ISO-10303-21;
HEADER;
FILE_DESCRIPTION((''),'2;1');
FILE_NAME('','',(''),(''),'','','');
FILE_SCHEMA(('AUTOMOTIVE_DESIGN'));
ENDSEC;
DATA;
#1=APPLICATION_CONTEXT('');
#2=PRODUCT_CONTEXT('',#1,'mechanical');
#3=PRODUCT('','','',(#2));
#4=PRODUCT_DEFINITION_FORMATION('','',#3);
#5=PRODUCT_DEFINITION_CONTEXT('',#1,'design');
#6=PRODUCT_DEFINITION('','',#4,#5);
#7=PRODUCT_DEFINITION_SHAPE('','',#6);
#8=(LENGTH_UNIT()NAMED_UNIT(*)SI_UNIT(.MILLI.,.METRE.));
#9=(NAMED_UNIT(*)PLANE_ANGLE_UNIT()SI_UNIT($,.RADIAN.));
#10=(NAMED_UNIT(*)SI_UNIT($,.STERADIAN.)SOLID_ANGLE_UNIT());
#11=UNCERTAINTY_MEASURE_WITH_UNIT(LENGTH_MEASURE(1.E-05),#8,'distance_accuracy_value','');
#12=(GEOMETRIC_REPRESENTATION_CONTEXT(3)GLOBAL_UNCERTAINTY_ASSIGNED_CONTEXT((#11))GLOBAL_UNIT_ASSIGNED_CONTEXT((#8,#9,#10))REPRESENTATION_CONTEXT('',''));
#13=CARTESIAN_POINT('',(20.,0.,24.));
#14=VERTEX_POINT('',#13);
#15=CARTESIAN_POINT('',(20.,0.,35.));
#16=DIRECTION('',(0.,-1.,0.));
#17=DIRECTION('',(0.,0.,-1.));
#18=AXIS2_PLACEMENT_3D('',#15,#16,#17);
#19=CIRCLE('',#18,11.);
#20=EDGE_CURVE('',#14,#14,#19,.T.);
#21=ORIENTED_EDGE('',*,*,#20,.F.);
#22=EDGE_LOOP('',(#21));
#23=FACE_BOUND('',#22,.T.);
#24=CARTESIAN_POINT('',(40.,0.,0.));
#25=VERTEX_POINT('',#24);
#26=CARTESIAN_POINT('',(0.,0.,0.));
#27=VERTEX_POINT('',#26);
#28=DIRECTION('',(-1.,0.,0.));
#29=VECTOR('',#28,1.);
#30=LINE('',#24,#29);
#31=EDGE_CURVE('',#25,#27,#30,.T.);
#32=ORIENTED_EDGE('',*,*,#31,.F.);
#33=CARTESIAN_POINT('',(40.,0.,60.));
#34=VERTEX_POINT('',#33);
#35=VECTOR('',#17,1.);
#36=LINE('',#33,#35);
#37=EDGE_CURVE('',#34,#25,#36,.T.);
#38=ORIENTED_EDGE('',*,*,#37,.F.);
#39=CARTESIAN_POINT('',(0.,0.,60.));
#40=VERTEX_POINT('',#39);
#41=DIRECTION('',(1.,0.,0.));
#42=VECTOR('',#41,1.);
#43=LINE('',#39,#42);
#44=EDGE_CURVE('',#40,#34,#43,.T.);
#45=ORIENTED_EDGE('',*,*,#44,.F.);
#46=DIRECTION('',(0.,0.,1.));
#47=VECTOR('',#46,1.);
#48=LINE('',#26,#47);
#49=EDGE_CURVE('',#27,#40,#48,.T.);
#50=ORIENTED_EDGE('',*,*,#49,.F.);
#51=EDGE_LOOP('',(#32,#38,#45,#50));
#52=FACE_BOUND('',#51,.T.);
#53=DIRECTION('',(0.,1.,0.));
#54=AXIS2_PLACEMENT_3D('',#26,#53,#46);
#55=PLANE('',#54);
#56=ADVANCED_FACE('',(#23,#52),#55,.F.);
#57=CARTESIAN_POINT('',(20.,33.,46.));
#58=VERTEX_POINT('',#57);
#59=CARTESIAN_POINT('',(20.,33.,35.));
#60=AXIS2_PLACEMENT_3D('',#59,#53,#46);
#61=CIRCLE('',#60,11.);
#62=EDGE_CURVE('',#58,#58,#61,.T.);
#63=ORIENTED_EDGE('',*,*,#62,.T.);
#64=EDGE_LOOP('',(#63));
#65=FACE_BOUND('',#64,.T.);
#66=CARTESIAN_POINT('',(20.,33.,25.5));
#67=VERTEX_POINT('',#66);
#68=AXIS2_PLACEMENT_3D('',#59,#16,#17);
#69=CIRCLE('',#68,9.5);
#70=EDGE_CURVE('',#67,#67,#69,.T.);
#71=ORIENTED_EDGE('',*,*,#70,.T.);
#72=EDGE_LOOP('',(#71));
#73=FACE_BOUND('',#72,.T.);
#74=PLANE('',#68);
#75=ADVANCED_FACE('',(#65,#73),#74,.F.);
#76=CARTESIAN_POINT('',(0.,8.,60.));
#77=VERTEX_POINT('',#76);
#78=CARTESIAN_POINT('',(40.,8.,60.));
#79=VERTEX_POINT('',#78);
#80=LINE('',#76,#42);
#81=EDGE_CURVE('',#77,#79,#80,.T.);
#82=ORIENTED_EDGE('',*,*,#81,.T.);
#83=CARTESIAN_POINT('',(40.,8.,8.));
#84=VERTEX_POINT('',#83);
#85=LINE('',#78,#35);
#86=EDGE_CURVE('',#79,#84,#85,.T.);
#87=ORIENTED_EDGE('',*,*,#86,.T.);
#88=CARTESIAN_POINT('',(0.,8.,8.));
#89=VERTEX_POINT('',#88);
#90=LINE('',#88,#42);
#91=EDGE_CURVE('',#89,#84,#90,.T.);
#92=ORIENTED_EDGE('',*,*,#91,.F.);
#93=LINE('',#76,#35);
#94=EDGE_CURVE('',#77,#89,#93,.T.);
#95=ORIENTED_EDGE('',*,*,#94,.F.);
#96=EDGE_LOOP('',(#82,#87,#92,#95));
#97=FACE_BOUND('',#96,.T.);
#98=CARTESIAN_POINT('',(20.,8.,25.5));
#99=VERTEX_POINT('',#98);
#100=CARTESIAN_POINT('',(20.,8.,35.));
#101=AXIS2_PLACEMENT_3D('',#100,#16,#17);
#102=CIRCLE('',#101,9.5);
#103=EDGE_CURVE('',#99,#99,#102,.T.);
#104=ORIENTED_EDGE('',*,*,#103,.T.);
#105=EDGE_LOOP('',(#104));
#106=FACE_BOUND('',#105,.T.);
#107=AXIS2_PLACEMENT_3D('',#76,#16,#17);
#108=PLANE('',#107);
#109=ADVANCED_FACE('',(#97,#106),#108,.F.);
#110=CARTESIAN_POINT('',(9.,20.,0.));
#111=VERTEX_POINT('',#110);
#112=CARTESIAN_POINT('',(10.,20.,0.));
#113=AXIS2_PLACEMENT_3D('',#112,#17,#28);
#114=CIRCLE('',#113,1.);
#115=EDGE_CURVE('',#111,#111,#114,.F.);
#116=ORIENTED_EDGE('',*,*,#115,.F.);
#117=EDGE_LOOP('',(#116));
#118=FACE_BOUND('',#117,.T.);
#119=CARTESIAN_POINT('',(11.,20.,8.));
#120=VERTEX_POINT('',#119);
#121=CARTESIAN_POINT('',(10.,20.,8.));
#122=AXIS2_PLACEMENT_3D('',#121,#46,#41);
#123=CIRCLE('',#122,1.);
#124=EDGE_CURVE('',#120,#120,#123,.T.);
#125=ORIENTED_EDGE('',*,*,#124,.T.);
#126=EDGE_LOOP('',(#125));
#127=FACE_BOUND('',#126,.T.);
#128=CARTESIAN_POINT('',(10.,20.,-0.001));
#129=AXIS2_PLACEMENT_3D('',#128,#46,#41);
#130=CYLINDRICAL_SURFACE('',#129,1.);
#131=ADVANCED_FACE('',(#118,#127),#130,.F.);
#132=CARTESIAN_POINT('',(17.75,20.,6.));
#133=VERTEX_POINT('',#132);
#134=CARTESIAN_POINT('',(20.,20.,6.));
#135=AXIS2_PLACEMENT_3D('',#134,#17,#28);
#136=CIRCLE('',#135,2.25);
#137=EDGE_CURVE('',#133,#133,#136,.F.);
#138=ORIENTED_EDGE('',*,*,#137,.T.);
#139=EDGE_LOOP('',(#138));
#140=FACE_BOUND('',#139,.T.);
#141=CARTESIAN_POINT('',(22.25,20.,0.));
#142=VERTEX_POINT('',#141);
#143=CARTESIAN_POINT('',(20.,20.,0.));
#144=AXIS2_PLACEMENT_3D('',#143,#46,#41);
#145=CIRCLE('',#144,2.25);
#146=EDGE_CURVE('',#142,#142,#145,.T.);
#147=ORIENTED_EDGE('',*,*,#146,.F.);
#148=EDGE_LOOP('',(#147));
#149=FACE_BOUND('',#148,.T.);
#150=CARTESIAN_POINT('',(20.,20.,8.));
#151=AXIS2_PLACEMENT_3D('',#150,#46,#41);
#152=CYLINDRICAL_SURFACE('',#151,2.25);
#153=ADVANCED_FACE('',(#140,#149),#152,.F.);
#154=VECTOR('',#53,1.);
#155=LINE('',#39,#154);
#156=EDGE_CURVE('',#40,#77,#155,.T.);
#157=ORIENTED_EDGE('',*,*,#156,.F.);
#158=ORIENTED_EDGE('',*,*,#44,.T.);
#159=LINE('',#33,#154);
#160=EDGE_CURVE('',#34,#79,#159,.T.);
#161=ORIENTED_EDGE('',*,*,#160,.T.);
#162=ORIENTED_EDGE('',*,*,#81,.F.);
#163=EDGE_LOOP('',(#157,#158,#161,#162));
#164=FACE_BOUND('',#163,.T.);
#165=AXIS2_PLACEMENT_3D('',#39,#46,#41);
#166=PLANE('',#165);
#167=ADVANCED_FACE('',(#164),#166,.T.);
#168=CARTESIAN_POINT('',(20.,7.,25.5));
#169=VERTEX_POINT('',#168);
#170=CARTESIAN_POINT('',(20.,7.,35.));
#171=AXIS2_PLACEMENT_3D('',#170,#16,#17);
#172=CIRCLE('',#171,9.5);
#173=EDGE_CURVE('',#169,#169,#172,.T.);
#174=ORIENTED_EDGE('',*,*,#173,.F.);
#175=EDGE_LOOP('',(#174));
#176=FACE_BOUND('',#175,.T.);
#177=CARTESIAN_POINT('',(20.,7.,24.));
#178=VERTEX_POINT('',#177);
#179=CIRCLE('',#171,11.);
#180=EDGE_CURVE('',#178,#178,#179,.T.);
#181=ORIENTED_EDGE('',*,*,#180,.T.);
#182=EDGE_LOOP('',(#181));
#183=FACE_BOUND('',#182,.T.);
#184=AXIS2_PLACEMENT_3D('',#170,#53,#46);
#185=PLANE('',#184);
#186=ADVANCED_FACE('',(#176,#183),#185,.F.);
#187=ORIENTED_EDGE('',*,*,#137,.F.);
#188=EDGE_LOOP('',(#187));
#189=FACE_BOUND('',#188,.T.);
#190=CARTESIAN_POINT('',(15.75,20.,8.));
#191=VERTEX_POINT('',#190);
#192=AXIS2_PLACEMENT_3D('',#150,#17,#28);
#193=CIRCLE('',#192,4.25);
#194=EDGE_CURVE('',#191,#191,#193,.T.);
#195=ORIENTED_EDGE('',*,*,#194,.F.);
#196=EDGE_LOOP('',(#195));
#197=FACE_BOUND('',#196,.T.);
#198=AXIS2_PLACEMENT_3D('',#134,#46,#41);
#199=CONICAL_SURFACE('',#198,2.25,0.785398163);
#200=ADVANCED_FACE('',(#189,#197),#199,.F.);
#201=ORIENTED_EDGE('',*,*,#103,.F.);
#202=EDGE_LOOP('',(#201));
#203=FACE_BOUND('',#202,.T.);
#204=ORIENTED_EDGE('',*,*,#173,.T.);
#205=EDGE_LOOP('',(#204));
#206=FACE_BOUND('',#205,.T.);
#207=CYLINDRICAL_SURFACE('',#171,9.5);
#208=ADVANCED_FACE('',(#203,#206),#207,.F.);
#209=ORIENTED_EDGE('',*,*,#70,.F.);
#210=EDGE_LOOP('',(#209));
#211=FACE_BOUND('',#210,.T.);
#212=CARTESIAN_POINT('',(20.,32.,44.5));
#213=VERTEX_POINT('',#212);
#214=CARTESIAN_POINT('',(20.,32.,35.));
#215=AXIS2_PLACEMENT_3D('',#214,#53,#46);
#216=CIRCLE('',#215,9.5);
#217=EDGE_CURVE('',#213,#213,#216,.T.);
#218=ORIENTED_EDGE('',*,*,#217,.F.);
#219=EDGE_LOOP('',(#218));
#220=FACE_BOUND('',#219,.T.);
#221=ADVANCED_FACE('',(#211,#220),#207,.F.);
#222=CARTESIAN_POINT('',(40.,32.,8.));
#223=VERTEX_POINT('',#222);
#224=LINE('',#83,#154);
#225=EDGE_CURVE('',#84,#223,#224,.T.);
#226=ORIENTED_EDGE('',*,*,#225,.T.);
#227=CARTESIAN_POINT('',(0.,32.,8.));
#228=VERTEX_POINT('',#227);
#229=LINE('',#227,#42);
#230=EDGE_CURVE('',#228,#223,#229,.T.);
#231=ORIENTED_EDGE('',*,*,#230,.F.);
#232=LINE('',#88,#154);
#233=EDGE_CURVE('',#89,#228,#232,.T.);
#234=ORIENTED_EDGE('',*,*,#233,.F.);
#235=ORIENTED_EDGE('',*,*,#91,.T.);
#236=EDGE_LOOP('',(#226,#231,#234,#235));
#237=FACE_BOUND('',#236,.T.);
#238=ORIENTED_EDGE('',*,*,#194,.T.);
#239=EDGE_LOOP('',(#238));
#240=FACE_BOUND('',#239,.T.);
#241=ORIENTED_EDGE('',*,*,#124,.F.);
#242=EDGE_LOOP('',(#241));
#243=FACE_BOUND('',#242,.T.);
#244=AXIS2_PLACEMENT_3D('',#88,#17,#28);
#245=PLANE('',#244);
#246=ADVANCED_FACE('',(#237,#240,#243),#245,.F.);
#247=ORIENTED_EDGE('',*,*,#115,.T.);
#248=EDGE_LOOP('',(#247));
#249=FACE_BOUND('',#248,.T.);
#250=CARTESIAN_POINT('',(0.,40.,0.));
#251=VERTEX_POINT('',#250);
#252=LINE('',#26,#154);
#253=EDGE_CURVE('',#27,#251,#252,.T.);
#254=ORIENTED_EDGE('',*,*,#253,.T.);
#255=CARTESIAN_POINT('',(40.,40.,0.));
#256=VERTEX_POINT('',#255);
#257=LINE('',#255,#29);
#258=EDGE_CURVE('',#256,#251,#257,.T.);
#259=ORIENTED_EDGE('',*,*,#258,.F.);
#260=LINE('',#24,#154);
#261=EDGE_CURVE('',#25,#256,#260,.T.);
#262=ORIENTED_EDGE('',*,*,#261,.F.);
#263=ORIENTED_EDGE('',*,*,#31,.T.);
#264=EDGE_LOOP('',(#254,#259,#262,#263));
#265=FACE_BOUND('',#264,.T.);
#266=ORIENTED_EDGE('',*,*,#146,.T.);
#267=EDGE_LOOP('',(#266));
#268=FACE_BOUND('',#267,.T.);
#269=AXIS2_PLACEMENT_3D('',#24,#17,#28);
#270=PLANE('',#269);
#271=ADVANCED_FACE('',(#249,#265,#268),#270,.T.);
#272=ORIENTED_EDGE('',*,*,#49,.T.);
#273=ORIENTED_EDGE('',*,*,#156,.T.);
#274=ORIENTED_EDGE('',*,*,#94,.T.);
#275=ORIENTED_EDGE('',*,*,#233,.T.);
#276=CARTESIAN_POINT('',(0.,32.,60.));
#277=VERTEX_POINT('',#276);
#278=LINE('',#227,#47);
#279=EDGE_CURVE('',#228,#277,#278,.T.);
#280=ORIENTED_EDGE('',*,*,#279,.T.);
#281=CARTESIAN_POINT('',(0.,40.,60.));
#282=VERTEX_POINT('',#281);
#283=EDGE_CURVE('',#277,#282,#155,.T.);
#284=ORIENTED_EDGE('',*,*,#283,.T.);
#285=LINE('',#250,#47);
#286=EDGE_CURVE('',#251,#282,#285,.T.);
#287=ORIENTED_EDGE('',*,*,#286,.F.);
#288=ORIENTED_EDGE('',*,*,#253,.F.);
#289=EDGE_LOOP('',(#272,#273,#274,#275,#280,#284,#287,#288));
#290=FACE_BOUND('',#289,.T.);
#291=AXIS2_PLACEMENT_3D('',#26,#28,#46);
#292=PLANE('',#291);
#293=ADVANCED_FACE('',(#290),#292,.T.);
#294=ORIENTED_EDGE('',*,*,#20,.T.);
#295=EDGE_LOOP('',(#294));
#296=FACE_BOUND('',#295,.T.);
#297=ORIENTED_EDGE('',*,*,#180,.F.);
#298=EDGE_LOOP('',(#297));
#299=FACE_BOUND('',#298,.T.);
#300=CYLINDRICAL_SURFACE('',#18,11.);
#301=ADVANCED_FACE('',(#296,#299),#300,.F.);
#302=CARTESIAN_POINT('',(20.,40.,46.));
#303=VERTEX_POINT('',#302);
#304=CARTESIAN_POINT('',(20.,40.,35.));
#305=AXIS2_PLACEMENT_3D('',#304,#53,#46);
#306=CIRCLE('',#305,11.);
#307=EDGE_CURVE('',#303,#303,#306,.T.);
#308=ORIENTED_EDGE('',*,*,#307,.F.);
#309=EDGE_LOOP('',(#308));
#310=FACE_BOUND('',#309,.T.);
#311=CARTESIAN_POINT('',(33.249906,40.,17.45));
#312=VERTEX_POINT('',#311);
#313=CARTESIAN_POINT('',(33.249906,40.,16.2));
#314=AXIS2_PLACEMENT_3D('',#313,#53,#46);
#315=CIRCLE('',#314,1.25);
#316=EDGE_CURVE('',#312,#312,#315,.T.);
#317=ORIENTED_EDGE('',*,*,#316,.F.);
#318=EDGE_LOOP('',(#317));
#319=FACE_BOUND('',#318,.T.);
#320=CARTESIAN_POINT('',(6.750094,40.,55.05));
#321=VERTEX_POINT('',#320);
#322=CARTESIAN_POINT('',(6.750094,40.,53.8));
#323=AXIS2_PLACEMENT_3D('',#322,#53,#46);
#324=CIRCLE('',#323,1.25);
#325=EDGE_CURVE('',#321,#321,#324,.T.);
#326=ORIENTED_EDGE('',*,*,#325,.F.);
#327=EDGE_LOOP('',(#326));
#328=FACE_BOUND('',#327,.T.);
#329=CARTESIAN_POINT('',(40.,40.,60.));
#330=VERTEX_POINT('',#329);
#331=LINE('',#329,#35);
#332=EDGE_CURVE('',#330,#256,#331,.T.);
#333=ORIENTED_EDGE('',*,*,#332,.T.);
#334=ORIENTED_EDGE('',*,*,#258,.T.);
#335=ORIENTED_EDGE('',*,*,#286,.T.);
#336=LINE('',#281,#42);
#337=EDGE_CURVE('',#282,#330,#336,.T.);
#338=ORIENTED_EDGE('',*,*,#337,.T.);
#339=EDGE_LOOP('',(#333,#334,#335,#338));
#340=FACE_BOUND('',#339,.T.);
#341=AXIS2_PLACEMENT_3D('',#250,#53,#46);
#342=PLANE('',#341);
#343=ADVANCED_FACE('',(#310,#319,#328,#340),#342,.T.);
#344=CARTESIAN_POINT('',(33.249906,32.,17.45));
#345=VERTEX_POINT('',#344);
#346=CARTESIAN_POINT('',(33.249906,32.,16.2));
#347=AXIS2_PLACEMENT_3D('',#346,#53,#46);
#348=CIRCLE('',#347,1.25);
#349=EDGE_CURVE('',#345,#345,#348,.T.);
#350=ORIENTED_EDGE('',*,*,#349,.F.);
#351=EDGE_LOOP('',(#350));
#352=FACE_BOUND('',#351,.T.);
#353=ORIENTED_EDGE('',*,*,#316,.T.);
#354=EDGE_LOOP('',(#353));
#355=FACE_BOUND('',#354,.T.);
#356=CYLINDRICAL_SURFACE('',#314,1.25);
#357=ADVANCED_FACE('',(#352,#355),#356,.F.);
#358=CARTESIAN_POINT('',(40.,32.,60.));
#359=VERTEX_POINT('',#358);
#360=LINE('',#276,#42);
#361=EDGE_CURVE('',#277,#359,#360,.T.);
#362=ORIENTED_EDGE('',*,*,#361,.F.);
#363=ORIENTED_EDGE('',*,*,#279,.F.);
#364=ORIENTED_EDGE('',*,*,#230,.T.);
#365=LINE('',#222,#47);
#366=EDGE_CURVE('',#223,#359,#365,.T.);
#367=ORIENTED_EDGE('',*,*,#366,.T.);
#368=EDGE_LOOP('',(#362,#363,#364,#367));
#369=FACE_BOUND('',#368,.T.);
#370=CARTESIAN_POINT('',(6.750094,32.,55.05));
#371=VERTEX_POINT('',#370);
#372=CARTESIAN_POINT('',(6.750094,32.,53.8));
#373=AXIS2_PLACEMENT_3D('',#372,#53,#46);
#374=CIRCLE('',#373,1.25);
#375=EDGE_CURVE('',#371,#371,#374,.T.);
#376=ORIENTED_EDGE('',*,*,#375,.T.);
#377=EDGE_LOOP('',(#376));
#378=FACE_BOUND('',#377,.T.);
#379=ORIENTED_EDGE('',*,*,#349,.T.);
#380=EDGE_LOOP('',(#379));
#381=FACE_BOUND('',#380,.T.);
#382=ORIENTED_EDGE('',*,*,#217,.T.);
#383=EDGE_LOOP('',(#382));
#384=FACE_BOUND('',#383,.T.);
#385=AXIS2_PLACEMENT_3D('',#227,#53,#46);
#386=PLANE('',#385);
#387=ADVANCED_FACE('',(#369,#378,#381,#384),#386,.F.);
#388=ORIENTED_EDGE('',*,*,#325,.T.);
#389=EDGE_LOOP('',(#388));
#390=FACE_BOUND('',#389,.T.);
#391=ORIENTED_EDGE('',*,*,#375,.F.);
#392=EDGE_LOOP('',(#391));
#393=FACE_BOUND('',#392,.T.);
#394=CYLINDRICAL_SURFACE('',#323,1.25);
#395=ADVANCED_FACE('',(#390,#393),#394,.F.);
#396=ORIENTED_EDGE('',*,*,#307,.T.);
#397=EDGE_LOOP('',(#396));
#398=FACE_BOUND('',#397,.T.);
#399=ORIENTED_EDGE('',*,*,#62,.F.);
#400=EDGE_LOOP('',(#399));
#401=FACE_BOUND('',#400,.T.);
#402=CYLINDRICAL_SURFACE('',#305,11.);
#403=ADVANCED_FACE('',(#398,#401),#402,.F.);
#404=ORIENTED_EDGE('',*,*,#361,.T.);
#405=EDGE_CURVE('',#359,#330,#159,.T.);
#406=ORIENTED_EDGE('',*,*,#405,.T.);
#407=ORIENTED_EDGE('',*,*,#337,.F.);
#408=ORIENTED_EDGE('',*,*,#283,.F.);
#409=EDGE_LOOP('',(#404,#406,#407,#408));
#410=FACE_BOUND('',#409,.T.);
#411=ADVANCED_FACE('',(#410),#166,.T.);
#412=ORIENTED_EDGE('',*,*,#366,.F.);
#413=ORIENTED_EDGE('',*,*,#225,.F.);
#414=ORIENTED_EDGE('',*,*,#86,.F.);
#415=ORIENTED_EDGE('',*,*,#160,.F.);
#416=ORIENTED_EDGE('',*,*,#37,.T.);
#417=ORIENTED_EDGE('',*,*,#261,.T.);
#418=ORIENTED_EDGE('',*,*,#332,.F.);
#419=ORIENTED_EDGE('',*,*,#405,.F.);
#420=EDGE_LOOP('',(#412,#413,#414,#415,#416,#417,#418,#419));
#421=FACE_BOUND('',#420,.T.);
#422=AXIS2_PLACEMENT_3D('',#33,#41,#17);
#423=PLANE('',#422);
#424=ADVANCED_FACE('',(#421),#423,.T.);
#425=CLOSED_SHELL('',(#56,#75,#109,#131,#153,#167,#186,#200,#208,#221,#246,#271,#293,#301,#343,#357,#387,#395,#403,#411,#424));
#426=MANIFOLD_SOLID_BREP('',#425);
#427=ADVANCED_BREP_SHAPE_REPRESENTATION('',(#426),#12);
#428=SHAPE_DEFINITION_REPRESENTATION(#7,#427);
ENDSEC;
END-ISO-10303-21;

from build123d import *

# Parameters (mm, degrees)
SKETCH1_W                      = 40
SKETCH1_H                      = 60
BOSS_EXTRUDE1_DEPTH            = 40
SKETCH2_W                      = 52
SKETCH2_H                      = 24
CUT_EXTRUDE1_DEPTH             = 83.462112512
F_4_5_4_5_DIAMETER_HOLE1_D     = 4.5
F_22_0_22_DIAMETER_HOLE2_D     = 22
F_22_0_22_DIAMETER_HOLE2_DEPTH = 7
F_22_0_22_DIAMETER_HOLE1_D     = 22
F_22_0_22_DIAMETER_HOLE1_DEPTH = 7
F_2_5_2_5_DIAMETER_HOLE1_D     = 2.5
F_2_5_2_5_DIAMETER_HOLE1_DEPTH = 8
F_2_5_2_5_DIAMETER_HOLE1_TIP   = 0.721687836
CHAMFER1_SIZE                  = 2
F_19_0_19_DIAMETER_HOLE1_D     = 19
F_2MM_PIN_REACH                = 78.837
SKETCH13_R                     = 1


with BuildPart() as part:
    # Sketch1 → Boss-Extrude1 (new body)
    with BuildSketch(Plane(origin=(0, 40, 0), x_dir=(1, 0, 0), z_dir=(0, 1, 0))):
        with Locations((20, -30)):
            Rectangle(SKETCH1_W, SKETCH1_H)
    extrude(amount=-BOSS_EXTRUDE1_DEPTH)

    # Sketch2 → Cut-Extrude1 (cut, through all)
    with BuildSketch(Plane(origin=(40, 0, 0), x_dir=(0, 0, -1), z_dir=(1, 0, 0))):
        with Locations((-34, 20)):
            Rectangle(SKETCH2_W, SKETCH2_H)
    extrude(amount=-CUT_EXTRUDE1_DEPTH, mode=Mode.SUBTRACT)

    # Ø4.5 (4.5) Diameter Hole1 (through all)
    with Locations(Plane.XY.offset(8)):
        with Locations((20, 20)):
            Hole(F_4_5_4_5_DIAMETER_HOLE1_D / 2)

    # Ø22.0 (22) Diameter Hole2
    with Locations(Plane(origin=(0, 40, 0), x_dir=(-1, 0, 0), z_dir=(0, 1, 0))):
        with Locations((-20, 35)):
            Hole(F_22_0_22_DIAMETER_HOLE2_D / 2, depth=F_22_0_22_DIAMETER_HOLE2_DEPTH)

    # Ø22.0 (22) Diameter Hole1
    with Locations(Plane.XZ):
        with Locations((20, 35)):
            Hole(F_22_0_22_DIAMETER_HOLE1_D / 2, depth=F_22_0_22_DIAMETER_HOLE1_DEPTH)

    # Ø2.5 (2.5) Diameter Hole1
    with Locations(Plane(origin=(0, 40, 0), x_dir=(1, 0, 0), z_dir=(0, 1, 0))):
        with Locations((33.24990566, -16.2), (6.75009434, -53.8)):
            Hole(F_2_5_2_5_DIAMETER_HOLE1_D / 2, depth=F_2_5_2_5_DIAMETER_HOLE1_DEPTH)
            with Locations((0, 0, -(F_2_5_2_5_DIAMETER_HOLE1_DEPTH + F_2_5_2_5_DIAMETER_HOLE1_TIP / 2))):  # 120° drill point
                Cone(0, F_2_5_2_5_DIAMETER_HOLE1_D / 2, F_2_5_2_5_DIAMETER_HOLE1_TIP, mode=Mode.SUBTRACT)

    # Chamfer1
    chamfer1_edges = [part.edges().sort_by_distance(p)[0] for p in [
        (22.25, 20, 8),
    ]]
    chamfer(chamfer1_edges, length=CHAMFER1_SIZE)

    # Ø19.0 (19) Diameter Hole1 (through all)
    with Locations(Plane(origin=(0, 7, 0), x_dir=(-1, 0, 0), z_dir=(0, -1, 0))):
        with Locations((-20, -35)):
            Hole(F_19_0_19_DIAMETER_HOLE1_D / 2)

    # Sketch13 → 2mm Pin (cut, up to next)
    with BuildSketch(Plane.XY.offset(8), mode=Mode.PRIVATE) as f_2mm_pin_sk1:
        with Locations((10, 20)):
            Circle(SKETCH13_R)
    f_2mm_pin_tool1 = extrude(f_2mm_pin_sk1.sketch, amount=-F_2MM_PIN_REACH, mode=Mode.PRIVATE) & part.part
    add(f_2mm_pin_tool1.solids().sort_by_distance((10, 20, 8))[0], mode=Mode.SUBTRACT)


solid = part.part
